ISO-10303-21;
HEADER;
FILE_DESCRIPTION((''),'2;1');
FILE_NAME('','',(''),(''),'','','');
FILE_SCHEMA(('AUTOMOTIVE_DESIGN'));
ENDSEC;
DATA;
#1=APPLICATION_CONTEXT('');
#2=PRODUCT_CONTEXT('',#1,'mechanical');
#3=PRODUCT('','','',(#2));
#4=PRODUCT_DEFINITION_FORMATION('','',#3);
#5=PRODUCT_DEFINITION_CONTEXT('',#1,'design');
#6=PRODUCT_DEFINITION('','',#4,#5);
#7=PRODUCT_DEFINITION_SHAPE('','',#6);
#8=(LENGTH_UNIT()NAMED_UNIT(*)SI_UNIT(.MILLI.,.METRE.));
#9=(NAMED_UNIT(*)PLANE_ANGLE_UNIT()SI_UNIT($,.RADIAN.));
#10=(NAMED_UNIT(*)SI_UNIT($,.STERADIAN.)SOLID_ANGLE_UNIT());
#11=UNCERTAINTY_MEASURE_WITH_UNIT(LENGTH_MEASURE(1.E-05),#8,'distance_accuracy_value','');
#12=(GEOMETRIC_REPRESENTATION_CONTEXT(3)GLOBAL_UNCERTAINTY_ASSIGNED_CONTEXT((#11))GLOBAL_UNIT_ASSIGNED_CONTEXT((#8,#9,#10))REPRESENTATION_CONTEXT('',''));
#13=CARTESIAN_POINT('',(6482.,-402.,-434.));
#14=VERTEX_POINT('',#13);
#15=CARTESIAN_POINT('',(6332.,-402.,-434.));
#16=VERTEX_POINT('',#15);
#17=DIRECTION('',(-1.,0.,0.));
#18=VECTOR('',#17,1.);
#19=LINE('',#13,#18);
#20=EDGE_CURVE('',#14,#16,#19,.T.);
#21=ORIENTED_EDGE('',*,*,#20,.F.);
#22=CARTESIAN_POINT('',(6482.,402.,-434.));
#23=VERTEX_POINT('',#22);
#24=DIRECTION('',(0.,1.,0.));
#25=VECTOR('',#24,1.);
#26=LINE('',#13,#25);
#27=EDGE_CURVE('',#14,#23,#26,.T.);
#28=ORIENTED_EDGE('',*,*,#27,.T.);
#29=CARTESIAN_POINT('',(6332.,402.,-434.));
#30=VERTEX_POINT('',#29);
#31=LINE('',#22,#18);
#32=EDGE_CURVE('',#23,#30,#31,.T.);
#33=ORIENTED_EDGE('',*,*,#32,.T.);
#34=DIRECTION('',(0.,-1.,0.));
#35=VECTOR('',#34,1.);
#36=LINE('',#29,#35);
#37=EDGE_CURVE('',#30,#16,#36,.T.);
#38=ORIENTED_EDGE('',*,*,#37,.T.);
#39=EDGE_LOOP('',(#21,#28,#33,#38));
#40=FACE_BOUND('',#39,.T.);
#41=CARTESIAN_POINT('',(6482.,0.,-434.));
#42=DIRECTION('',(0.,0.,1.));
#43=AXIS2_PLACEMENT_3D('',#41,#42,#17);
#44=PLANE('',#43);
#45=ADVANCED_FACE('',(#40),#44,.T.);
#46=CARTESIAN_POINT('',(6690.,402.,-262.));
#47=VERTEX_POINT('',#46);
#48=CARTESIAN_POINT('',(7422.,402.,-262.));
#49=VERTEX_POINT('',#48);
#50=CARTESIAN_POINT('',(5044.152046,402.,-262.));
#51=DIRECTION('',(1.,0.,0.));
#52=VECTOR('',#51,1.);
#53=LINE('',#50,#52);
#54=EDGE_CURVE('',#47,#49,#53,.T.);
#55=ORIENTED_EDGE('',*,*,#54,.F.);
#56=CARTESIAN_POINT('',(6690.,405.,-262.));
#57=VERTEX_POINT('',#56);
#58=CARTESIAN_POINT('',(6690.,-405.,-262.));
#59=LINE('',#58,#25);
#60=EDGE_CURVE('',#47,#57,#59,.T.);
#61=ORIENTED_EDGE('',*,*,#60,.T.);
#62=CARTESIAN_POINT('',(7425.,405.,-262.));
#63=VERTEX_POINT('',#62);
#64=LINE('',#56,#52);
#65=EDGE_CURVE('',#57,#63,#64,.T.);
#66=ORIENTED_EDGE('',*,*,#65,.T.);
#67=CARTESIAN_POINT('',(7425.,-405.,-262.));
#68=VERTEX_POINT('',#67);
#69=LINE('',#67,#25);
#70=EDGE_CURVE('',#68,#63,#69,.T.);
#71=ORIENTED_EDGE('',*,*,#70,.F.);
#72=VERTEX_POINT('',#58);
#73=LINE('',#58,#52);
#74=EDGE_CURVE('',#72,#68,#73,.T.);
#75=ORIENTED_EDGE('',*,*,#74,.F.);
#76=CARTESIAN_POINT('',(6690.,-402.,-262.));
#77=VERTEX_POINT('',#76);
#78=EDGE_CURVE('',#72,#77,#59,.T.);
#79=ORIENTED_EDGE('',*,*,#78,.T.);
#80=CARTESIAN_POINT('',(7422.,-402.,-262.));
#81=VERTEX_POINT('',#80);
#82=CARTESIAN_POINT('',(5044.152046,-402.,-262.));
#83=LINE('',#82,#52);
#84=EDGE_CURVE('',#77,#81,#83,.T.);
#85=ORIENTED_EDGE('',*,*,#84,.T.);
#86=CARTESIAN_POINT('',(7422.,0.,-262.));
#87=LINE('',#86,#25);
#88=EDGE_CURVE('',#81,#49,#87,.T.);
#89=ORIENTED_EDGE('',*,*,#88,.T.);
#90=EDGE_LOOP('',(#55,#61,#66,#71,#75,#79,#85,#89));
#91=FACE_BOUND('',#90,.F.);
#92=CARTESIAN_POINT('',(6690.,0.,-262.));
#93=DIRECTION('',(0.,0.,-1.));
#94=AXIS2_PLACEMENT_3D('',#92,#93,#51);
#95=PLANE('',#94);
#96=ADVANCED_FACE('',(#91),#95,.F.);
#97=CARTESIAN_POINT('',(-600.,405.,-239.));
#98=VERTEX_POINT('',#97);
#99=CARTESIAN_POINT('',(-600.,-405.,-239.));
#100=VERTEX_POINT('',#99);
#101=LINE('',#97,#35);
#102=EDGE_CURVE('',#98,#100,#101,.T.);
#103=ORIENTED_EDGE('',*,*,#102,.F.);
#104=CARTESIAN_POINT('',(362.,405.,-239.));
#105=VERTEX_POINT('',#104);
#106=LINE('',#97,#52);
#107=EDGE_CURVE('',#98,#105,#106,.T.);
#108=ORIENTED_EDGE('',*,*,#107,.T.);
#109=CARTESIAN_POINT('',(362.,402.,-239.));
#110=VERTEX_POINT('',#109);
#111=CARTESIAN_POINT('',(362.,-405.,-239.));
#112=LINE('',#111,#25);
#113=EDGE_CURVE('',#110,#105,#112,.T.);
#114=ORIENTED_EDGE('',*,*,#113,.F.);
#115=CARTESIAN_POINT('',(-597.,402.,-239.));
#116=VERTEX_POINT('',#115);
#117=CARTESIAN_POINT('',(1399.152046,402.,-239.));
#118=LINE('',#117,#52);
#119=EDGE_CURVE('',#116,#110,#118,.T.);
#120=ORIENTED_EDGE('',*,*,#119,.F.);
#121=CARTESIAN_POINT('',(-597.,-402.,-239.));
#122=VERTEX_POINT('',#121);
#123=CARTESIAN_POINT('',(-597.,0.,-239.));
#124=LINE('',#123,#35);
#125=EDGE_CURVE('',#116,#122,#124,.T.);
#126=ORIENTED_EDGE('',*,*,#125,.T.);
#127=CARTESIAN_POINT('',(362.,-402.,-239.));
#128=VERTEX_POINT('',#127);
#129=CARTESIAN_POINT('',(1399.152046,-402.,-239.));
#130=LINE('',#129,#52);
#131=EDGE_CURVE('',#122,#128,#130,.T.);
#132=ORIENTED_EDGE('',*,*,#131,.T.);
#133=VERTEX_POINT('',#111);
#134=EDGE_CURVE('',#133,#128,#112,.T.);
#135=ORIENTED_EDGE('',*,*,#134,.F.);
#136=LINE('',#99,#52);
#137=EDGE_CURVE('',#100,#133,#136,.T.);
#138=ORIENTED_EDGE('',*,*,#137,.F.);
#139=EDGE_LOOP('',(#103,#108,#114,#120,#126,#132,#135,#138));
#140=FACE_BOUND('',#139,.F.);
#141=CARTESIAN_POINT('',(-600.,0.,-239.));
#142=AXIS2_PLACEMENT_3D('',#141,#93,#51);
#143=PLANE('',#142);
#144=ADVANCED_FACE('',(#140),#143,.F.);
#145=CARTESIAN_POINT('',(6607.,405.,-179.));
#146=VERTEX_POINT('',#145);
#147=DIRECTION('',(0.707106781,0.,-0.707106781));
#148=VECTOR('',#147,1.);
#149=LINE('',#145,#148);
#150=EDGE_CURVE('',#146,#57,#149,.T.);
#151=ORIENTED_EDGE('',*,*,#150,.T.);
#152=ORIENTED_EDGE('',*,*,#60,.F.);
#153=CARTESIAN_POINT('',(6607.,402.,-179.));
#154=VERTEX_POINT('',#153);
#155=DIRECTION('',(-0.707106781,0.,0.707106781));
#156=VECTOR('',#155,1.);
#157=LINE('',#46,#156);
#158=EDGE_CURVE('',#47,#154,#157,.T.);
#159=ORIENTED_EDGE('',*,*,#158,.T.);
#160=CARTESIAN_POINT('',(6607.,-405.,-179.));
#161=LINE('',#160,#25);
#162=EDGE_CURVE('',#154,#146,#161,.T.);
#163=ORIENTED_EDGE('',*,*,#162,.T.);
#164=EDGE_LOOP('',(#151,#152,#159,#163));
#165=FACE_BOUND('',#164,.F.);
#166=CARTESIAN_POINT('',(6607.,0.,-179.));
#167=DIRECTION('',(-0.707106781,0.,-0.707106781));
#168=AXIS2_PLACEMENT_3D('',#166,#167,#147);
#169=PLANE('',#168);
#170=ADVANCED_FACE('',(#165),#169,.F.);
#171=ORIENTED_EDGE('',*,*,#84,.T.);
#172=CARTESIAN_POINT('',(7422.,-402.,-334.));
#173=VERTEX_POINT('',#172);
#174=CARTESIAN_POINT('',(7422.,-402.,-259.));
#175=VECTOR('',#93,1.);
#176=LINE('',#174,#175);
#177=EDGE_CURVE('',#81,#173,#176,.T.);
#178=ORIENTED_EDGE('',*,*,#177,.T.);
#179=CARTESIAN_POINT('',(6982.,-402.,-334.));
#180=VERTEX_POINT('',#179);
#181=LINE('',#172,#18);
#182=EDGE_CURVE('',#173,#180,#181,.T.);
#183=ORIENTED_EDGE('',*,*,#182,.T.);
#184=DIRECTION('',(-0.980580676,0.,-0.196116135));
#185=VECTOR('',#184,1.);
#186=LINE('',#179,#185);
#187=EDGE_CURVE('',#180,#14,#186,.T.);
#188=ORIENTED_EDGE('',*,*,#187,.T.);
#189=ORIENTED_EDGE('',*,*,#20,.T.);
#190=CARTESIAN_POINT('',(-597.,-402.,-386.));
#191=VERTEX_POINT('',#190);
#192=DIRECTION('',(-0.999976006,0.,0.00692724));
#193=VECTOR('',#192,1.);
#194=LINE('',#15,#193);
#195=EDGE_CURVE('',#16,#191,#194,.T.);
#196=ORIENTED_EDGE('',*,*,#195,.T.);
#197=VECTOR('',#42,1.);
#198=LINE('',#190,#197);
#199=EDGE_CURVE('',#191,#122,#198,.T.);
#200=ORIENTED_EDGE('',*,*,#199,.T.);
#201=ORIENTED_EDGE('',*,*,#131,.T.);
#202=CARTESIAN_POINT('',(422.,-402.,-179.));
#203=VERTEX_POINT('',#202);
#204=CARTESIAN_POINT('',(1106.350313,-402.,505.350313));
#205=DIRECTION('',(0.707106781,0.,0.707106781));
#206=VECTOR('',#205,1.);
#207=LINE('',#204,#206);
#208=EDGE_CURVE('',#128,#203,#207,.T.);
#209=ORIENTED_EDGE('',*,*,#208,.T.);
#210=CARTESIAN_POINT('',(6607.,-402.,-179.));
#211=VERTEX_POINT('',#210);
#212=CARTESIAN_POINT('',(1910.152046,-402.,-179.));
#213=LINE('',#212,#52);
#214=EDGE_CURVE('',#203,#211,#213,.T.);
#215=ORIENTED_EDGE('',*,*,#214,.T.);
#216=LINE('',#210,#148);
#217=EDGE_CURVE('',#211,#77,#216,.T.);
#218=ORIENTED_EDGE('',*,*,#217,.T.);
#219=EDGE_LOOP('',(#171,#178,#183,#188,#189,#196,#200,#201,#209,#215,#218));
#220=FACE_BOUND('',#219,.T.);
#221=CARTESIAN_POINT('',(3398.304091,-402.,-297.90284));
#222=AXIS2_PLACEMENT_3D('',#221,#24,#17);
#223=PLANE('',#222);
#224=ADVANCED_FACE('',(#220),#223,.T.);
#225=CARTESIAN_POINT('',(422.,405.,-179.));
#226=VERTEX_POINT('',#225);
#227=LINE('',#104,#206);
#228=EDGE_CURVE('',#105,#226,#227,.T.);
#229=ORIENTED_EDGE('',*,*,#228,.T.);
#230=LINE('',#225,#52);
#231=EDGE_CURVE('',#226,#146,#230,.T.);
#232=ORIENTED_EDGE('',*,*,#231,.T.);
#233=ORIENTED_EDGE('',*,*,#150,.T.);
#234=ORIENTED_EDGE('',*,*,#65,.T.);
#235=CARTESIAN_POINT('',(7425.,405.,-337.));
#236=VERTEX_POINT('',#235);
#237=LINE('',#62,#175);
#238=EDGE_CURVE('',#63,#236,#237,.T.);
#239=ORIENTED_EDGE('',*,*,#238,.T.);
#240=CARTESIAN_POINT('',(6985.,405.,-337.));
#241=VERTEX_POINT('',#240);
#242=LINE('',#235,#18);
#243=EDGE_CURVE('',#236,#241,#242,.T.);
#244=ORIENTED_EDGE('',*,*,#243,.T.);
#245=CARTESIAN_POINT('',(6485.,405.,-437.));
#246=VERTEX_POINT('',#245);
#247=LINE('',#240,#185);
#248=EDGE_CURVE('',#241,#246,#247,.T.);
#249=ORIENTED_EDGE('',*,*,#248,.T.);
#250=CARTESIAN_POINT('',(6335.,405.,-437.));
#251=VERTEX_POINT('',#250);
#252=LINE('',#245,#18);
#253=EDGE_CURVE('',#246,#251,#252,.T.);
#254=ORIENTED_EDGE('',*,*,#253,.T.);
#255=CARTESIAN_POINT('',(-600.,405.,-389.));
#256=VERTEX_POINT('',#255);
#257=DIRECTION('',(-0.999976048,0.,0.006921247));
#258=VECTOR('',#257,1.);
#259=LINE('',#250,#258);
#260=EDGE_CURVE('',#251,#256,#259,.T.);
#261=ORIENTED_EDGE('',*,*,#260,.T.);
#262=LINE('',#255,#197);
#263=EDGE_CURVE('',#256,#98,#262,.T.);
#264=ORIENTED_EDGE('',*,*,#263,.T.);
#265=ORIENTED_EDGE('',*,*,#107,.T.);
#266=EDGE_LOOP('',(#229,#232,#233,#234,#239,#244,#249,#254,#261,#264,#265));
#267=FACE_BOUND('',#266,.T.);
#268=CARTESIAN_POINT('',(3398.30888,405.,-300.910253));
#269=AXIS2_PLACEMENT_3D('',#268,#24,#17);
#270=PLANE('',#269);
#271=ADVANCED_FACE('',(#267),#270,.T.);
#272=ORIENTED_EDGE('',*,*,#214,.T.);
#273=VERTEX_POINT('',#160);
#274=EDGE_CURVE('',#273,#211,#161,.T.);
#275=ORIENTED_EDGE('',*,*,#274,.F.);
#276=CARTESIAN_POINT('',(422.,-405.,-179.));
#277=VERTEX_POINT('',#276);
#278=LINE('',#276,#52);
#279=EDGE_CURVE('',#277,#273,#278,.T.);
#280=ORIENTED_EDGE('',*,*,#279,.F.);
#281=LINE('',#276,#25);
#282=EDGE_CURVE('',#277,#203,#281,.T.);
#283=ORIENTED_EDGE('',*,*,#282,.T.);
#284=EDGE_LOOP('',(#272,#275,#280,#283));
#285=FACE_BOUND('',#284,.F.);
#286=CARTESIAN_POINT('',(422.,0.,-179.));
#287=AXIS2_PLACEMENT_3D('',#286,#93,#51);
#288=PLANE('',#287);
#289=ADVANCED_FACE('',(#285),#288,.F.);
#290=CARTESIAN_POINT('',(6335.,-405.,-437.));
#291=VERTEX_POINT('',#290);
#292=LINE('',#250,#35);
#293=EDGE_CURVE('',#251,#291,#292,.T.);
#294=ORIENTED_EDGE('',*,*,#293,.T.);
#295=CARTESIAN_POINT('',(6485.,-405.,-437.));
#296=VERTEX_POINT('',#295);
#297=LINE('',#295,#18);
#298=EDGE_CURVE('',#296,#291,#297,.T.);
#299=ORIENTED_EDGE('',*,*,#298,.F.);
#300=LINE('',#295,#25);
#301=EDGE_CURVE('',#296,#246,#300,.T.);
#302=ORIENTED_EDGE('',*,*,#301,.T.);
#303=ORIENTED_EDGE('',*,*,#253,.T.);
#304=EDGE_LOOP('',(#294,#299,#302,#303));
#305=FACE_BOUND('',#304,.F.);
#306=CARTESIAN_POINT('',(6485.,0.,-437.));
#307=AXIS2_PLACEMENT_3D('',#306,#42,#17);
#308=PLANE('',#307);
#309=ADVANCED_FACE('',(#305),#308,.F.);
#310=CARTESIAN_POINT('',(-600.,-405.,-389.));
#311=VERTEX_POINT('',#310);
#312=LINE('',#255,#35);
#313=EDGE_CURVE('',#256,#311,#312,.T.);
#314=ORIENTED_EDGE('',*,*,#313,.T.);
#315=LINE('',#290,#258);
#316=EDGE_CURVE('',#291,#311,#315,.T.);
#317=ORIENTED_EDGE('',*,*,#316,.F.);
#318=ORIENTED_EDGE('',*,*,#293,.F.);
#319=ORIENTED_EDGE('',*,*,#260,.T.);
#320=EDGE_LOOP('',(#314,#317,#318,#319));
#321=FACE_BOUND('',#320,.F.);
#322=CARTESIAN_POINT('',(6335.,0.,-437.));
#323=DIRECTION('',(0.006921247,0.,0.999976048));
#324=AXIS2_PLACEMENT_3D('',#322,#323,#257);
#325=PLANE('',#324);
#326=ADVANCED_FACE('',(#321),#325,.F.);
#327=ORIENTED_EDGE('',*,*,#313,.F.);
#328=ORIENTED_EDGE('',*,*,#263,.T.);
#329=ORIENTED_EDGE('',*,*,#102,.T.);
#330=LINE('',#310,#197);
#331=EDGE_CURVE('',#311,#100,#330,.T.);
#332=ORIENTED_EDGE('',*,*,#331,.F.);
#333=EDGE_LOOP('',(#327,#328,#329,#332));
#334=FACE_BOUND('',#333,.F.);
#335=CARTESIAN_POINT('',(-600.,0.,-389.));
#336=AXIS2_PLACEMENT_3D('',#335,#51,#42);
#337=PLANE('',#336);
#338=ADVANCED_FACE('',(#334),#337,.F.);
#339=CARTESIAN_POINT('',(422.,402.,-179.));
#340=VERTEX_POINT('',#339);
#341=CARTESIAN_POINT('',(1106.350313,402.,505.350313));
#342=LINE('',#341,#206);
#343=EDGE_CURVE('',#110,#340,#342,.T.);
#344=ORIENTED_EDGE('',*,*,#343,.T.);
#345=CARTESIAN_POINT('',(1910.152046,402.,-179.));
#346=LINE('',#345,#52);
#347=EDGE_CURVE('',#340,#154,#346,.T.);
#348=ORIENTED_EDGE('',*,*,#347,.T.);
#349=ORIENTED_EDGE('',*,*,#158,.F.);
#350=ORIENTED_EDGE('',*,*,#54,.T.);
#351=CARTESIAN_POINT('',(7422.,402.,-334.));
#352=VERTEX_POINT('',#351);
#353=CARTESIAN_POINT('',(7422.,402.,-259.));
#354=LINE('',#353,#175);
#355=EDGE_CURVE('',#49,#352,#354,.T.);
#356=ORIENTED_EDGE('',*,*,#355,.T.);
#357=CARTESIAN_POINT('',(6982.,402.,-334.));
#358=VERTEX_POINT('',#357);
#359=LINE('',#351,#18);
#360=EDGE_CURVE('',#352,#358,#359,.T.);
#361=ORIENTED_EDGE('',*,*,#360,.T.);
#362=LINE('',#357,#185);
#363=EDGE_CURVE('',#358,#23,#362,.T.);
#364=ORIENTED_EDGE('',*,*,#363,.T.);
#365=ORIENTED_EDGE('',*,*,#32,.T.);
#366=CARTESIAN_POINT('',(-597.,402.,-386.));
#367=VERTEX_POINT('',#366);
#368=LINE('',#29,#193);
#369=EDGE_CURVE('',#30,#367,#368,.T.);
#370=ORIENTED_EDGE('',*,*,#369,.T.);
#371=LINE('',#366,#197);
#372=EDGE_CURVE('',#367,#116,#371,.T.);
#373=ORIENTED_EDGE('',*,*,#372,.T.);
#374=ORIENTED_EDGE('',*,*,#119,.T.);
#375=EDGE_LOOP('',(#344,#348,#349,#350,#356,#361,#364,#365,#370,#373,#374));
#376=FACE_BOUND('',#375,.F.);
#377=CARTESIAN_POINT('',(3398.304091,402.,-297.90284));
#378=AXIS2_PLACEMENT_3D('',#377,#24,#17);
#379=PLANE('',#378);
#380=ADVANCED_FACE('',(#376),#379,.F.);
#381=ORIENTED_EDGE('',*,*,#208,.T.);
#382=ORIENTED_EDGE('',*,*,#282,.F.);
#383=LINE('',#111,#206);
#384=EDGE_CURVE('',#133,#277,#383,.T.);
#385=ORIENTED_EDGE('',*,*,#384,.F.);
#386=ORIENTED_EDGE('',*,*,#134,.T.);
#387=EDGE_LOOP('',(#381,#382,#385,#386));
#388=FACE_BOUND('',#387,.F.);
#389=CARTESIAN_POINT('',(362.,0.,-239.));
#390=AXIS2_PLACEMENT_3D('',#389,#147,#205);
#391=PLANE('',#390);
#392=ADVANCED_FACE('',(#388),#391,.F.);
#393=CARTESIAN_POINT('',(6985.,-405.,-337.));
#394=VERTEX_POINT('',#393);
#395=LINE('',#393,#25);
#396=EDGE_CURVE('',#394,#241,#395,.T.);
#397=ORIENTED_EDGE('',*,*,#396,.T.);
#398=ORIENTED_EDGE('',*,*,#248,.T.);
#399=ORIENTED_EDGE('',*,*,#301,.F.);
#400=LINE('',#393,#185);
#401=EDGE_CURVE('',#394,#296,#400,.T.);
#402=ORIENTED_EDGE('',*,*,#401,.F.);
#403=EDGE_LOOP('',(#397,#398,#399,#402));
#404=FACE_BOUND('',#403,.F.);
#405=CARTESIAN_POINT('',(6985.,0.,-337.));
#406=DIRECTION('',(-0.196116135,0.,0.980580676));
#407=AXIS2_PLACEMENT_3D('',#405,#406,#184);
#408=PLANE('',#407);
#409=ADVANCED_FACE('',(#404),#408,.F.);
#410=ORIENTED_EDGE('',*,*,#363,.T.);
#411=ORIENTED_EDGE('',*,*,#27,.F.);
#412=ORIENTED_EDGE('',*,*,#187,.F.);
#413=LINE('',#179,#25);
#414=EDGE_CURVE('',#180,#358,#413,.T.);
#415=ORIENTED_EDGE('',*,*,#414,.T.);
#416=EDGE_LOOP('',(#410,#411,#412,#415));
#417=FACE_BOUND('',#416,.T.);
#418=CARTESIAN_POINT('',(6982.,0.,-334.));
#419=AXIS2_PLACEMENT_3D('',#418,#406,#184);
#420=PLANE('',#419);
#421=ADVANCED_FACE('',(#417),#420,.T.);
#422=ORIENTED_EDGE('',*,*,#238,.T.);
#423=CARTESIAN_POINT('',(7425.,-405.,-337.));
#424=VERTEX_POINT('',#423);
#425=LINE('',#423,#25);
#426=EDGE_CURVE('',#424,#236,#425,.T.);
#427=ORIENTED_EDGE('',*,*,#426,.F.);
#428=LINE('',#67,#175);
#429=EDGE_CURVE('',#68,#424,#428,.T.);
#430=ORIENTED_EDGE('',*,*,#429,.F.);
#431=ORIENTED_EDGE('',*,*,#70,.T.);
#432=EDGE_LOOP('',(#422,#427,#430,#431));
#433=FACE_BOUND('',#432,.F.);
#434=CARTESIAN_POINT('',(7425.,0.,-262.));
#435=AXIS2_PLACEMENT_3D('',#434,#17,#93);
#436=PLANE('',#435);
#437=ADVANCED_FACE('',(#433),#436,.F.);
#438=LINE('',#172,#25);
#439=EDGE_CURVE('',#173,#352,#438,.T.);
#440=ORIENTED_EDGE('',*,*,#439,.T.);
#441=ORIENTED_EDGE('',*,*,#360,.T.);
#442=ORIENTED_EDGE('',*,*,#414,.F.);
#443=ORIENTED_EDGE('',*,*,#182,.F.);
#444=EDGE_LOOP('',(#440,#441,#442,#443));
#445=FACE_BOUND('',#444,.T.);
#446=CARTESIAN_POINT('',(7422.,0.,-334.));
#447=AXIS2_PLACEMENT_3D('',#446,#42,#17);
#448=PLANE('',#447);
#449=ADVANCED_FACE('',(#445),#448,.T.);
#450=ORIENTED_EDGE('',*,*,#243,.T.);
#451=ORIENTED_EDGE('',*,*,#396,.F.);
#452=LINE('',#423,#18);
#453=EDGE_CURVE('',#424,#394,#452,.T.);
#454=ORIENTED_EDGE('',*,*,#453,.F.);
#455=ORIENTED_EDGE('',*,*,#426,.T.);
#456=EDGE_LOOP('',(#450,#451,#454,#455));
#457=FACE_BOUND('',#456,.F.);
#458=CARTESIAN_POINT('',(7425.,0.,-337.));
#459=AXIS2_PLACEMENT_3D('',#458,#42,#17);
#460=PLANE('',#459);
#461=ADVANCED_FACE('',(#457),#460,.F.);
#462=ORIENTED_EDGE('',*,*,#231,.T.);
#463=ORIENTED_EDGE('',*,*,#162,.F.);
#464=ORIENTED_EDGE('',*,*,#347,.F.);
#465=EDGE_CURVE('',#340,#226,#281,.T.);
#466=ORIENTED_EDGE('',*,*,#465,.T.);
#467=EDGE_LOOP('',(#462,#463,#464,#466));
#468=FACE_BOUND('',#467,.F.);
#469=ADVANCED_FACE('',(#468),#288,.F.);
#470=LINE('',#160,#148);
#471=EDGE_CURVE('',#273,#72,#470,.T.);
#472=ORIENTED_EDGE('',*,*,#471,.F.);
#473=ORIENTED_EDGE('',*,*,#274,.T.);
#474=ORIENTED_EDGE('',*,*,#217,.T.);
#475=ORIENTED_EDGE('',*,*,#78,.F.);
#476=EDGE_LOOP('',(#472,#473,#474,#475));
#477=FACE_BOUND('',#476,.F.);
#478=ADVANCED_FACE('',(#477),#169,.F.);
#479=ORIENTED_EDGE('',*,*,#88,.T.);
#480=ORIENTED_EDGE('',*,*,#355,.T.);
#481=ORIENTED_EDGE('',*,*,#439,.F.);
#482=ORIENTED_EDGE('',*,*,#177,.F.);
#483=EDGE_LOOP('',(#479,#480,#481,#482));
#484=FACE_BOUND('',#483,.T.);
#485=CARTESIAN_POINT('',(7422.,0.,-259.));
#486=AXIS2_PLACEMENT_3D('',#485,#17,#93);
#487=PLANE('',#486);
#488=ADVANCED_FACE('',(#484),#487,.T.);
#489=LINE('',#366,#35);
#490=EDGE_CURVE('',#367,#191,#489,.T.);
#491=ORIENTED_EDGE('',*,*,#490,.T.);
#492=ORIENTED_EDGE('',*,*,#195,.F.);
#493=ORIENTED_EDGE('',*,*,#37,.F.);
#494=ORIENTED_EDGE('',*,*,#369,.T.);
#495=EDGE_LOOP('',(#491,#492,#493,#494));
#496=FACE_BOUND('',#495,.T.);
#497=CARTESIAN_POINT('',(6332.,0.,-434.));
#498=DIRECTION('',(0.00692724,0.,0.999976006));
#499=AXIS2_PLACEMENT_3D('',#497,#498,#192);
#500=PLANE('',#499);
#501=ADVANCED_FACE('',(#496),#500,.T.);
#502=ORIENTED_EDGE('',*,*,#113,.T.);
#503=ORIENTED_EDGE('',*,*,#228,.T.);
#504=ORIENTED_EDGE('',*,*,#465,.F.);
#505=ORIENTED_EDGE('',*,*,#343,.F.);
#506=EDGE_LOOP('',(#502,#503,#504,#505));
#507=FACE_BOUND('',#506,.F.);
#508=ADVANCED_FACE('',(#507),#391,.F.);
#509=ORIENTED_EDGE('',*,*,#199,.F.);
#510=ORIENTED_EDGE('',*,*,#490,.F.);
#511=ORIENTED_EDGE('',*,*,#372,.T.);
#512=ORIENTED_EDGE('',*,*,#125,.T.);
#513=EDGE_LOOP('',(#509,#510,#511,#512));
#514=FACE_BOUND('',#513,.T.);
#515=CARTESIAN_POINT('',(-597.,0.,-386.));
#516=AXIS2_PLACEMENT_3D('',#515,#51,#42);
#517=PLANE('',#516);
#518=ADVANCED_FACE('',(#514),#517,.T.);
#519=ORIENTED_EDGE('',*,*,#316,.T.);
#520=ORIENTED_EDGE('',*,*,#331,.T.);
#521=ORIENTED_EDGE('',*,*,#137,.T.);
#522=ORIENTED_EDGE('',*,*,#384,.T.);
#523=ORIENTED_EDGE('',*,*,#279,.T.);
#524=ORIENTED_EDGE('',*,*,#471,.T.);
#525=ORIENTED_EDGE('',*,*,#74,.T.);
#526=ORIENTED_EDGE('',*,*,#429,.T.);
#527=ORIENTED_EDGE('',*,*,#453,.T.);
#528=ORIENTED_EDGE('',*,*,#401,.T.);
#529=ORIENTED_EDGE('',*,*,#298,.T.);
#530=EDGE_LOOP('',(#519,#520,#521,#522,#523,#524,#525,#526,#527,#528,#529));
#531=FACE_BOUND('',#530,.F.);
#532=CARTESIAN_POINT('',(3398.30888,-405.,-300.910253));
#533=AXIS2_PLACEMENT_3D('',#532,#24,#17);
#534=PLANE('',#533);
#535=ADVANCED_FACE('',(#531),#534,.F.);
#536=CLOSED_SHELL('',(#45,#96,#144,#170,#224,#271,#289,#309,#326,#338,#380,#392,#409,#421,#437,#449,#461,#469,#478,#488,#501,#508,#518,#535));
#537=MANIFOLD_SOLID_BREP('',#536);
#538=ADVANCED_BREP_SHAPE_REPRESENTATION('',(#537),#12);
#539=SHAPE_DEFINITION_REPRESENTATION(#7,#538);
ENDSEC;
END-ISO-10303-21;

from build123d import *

# Parameters (mm, degrees)
EXTRUDE032_DEPTH = 402
EXTRUDE015_DEPTH = 405


with BuildPart() as extrude032:
    # Sketch033 → Extrude032 (new body, symmetric)
    with BuildSketch(Plane.XZ):
        Polygon((-597, -239), (362, -239), (422, -179), (6604, -179), (6687, -262), (7422, -262), (7422, -337), (6982, -337), (6482, -437), (6332, -437), (-597, -389), align=None)
    extrude(amount=EXTRUDE032_DEPTH, both=True)


with BuildPart() as extrude032_1:
    # Extrude032 placement: moved
    add(extrude032.part.moved(Location((0, 0, 3))))


with BuildPart() as cut:
    # Sketch023 → Extrude015 (new body, symmetric)
    with BuildSketch(Plane.XZ):
        Polygon((-600, -239), (362, -239), (422, -179), (6607, -179), (6690, -262), (7425, -262), (7425, -337), (6985, -337), (6485, -437), (6335, -437), (-600, -389), align=None)
    extrude(amount=EXTRUDE015_DEPTH, both=True)

    # Cut: cut Extrude032
    add(extrude032_1.part, mode=Mode.SUBTRACT)


solid = cut.part
